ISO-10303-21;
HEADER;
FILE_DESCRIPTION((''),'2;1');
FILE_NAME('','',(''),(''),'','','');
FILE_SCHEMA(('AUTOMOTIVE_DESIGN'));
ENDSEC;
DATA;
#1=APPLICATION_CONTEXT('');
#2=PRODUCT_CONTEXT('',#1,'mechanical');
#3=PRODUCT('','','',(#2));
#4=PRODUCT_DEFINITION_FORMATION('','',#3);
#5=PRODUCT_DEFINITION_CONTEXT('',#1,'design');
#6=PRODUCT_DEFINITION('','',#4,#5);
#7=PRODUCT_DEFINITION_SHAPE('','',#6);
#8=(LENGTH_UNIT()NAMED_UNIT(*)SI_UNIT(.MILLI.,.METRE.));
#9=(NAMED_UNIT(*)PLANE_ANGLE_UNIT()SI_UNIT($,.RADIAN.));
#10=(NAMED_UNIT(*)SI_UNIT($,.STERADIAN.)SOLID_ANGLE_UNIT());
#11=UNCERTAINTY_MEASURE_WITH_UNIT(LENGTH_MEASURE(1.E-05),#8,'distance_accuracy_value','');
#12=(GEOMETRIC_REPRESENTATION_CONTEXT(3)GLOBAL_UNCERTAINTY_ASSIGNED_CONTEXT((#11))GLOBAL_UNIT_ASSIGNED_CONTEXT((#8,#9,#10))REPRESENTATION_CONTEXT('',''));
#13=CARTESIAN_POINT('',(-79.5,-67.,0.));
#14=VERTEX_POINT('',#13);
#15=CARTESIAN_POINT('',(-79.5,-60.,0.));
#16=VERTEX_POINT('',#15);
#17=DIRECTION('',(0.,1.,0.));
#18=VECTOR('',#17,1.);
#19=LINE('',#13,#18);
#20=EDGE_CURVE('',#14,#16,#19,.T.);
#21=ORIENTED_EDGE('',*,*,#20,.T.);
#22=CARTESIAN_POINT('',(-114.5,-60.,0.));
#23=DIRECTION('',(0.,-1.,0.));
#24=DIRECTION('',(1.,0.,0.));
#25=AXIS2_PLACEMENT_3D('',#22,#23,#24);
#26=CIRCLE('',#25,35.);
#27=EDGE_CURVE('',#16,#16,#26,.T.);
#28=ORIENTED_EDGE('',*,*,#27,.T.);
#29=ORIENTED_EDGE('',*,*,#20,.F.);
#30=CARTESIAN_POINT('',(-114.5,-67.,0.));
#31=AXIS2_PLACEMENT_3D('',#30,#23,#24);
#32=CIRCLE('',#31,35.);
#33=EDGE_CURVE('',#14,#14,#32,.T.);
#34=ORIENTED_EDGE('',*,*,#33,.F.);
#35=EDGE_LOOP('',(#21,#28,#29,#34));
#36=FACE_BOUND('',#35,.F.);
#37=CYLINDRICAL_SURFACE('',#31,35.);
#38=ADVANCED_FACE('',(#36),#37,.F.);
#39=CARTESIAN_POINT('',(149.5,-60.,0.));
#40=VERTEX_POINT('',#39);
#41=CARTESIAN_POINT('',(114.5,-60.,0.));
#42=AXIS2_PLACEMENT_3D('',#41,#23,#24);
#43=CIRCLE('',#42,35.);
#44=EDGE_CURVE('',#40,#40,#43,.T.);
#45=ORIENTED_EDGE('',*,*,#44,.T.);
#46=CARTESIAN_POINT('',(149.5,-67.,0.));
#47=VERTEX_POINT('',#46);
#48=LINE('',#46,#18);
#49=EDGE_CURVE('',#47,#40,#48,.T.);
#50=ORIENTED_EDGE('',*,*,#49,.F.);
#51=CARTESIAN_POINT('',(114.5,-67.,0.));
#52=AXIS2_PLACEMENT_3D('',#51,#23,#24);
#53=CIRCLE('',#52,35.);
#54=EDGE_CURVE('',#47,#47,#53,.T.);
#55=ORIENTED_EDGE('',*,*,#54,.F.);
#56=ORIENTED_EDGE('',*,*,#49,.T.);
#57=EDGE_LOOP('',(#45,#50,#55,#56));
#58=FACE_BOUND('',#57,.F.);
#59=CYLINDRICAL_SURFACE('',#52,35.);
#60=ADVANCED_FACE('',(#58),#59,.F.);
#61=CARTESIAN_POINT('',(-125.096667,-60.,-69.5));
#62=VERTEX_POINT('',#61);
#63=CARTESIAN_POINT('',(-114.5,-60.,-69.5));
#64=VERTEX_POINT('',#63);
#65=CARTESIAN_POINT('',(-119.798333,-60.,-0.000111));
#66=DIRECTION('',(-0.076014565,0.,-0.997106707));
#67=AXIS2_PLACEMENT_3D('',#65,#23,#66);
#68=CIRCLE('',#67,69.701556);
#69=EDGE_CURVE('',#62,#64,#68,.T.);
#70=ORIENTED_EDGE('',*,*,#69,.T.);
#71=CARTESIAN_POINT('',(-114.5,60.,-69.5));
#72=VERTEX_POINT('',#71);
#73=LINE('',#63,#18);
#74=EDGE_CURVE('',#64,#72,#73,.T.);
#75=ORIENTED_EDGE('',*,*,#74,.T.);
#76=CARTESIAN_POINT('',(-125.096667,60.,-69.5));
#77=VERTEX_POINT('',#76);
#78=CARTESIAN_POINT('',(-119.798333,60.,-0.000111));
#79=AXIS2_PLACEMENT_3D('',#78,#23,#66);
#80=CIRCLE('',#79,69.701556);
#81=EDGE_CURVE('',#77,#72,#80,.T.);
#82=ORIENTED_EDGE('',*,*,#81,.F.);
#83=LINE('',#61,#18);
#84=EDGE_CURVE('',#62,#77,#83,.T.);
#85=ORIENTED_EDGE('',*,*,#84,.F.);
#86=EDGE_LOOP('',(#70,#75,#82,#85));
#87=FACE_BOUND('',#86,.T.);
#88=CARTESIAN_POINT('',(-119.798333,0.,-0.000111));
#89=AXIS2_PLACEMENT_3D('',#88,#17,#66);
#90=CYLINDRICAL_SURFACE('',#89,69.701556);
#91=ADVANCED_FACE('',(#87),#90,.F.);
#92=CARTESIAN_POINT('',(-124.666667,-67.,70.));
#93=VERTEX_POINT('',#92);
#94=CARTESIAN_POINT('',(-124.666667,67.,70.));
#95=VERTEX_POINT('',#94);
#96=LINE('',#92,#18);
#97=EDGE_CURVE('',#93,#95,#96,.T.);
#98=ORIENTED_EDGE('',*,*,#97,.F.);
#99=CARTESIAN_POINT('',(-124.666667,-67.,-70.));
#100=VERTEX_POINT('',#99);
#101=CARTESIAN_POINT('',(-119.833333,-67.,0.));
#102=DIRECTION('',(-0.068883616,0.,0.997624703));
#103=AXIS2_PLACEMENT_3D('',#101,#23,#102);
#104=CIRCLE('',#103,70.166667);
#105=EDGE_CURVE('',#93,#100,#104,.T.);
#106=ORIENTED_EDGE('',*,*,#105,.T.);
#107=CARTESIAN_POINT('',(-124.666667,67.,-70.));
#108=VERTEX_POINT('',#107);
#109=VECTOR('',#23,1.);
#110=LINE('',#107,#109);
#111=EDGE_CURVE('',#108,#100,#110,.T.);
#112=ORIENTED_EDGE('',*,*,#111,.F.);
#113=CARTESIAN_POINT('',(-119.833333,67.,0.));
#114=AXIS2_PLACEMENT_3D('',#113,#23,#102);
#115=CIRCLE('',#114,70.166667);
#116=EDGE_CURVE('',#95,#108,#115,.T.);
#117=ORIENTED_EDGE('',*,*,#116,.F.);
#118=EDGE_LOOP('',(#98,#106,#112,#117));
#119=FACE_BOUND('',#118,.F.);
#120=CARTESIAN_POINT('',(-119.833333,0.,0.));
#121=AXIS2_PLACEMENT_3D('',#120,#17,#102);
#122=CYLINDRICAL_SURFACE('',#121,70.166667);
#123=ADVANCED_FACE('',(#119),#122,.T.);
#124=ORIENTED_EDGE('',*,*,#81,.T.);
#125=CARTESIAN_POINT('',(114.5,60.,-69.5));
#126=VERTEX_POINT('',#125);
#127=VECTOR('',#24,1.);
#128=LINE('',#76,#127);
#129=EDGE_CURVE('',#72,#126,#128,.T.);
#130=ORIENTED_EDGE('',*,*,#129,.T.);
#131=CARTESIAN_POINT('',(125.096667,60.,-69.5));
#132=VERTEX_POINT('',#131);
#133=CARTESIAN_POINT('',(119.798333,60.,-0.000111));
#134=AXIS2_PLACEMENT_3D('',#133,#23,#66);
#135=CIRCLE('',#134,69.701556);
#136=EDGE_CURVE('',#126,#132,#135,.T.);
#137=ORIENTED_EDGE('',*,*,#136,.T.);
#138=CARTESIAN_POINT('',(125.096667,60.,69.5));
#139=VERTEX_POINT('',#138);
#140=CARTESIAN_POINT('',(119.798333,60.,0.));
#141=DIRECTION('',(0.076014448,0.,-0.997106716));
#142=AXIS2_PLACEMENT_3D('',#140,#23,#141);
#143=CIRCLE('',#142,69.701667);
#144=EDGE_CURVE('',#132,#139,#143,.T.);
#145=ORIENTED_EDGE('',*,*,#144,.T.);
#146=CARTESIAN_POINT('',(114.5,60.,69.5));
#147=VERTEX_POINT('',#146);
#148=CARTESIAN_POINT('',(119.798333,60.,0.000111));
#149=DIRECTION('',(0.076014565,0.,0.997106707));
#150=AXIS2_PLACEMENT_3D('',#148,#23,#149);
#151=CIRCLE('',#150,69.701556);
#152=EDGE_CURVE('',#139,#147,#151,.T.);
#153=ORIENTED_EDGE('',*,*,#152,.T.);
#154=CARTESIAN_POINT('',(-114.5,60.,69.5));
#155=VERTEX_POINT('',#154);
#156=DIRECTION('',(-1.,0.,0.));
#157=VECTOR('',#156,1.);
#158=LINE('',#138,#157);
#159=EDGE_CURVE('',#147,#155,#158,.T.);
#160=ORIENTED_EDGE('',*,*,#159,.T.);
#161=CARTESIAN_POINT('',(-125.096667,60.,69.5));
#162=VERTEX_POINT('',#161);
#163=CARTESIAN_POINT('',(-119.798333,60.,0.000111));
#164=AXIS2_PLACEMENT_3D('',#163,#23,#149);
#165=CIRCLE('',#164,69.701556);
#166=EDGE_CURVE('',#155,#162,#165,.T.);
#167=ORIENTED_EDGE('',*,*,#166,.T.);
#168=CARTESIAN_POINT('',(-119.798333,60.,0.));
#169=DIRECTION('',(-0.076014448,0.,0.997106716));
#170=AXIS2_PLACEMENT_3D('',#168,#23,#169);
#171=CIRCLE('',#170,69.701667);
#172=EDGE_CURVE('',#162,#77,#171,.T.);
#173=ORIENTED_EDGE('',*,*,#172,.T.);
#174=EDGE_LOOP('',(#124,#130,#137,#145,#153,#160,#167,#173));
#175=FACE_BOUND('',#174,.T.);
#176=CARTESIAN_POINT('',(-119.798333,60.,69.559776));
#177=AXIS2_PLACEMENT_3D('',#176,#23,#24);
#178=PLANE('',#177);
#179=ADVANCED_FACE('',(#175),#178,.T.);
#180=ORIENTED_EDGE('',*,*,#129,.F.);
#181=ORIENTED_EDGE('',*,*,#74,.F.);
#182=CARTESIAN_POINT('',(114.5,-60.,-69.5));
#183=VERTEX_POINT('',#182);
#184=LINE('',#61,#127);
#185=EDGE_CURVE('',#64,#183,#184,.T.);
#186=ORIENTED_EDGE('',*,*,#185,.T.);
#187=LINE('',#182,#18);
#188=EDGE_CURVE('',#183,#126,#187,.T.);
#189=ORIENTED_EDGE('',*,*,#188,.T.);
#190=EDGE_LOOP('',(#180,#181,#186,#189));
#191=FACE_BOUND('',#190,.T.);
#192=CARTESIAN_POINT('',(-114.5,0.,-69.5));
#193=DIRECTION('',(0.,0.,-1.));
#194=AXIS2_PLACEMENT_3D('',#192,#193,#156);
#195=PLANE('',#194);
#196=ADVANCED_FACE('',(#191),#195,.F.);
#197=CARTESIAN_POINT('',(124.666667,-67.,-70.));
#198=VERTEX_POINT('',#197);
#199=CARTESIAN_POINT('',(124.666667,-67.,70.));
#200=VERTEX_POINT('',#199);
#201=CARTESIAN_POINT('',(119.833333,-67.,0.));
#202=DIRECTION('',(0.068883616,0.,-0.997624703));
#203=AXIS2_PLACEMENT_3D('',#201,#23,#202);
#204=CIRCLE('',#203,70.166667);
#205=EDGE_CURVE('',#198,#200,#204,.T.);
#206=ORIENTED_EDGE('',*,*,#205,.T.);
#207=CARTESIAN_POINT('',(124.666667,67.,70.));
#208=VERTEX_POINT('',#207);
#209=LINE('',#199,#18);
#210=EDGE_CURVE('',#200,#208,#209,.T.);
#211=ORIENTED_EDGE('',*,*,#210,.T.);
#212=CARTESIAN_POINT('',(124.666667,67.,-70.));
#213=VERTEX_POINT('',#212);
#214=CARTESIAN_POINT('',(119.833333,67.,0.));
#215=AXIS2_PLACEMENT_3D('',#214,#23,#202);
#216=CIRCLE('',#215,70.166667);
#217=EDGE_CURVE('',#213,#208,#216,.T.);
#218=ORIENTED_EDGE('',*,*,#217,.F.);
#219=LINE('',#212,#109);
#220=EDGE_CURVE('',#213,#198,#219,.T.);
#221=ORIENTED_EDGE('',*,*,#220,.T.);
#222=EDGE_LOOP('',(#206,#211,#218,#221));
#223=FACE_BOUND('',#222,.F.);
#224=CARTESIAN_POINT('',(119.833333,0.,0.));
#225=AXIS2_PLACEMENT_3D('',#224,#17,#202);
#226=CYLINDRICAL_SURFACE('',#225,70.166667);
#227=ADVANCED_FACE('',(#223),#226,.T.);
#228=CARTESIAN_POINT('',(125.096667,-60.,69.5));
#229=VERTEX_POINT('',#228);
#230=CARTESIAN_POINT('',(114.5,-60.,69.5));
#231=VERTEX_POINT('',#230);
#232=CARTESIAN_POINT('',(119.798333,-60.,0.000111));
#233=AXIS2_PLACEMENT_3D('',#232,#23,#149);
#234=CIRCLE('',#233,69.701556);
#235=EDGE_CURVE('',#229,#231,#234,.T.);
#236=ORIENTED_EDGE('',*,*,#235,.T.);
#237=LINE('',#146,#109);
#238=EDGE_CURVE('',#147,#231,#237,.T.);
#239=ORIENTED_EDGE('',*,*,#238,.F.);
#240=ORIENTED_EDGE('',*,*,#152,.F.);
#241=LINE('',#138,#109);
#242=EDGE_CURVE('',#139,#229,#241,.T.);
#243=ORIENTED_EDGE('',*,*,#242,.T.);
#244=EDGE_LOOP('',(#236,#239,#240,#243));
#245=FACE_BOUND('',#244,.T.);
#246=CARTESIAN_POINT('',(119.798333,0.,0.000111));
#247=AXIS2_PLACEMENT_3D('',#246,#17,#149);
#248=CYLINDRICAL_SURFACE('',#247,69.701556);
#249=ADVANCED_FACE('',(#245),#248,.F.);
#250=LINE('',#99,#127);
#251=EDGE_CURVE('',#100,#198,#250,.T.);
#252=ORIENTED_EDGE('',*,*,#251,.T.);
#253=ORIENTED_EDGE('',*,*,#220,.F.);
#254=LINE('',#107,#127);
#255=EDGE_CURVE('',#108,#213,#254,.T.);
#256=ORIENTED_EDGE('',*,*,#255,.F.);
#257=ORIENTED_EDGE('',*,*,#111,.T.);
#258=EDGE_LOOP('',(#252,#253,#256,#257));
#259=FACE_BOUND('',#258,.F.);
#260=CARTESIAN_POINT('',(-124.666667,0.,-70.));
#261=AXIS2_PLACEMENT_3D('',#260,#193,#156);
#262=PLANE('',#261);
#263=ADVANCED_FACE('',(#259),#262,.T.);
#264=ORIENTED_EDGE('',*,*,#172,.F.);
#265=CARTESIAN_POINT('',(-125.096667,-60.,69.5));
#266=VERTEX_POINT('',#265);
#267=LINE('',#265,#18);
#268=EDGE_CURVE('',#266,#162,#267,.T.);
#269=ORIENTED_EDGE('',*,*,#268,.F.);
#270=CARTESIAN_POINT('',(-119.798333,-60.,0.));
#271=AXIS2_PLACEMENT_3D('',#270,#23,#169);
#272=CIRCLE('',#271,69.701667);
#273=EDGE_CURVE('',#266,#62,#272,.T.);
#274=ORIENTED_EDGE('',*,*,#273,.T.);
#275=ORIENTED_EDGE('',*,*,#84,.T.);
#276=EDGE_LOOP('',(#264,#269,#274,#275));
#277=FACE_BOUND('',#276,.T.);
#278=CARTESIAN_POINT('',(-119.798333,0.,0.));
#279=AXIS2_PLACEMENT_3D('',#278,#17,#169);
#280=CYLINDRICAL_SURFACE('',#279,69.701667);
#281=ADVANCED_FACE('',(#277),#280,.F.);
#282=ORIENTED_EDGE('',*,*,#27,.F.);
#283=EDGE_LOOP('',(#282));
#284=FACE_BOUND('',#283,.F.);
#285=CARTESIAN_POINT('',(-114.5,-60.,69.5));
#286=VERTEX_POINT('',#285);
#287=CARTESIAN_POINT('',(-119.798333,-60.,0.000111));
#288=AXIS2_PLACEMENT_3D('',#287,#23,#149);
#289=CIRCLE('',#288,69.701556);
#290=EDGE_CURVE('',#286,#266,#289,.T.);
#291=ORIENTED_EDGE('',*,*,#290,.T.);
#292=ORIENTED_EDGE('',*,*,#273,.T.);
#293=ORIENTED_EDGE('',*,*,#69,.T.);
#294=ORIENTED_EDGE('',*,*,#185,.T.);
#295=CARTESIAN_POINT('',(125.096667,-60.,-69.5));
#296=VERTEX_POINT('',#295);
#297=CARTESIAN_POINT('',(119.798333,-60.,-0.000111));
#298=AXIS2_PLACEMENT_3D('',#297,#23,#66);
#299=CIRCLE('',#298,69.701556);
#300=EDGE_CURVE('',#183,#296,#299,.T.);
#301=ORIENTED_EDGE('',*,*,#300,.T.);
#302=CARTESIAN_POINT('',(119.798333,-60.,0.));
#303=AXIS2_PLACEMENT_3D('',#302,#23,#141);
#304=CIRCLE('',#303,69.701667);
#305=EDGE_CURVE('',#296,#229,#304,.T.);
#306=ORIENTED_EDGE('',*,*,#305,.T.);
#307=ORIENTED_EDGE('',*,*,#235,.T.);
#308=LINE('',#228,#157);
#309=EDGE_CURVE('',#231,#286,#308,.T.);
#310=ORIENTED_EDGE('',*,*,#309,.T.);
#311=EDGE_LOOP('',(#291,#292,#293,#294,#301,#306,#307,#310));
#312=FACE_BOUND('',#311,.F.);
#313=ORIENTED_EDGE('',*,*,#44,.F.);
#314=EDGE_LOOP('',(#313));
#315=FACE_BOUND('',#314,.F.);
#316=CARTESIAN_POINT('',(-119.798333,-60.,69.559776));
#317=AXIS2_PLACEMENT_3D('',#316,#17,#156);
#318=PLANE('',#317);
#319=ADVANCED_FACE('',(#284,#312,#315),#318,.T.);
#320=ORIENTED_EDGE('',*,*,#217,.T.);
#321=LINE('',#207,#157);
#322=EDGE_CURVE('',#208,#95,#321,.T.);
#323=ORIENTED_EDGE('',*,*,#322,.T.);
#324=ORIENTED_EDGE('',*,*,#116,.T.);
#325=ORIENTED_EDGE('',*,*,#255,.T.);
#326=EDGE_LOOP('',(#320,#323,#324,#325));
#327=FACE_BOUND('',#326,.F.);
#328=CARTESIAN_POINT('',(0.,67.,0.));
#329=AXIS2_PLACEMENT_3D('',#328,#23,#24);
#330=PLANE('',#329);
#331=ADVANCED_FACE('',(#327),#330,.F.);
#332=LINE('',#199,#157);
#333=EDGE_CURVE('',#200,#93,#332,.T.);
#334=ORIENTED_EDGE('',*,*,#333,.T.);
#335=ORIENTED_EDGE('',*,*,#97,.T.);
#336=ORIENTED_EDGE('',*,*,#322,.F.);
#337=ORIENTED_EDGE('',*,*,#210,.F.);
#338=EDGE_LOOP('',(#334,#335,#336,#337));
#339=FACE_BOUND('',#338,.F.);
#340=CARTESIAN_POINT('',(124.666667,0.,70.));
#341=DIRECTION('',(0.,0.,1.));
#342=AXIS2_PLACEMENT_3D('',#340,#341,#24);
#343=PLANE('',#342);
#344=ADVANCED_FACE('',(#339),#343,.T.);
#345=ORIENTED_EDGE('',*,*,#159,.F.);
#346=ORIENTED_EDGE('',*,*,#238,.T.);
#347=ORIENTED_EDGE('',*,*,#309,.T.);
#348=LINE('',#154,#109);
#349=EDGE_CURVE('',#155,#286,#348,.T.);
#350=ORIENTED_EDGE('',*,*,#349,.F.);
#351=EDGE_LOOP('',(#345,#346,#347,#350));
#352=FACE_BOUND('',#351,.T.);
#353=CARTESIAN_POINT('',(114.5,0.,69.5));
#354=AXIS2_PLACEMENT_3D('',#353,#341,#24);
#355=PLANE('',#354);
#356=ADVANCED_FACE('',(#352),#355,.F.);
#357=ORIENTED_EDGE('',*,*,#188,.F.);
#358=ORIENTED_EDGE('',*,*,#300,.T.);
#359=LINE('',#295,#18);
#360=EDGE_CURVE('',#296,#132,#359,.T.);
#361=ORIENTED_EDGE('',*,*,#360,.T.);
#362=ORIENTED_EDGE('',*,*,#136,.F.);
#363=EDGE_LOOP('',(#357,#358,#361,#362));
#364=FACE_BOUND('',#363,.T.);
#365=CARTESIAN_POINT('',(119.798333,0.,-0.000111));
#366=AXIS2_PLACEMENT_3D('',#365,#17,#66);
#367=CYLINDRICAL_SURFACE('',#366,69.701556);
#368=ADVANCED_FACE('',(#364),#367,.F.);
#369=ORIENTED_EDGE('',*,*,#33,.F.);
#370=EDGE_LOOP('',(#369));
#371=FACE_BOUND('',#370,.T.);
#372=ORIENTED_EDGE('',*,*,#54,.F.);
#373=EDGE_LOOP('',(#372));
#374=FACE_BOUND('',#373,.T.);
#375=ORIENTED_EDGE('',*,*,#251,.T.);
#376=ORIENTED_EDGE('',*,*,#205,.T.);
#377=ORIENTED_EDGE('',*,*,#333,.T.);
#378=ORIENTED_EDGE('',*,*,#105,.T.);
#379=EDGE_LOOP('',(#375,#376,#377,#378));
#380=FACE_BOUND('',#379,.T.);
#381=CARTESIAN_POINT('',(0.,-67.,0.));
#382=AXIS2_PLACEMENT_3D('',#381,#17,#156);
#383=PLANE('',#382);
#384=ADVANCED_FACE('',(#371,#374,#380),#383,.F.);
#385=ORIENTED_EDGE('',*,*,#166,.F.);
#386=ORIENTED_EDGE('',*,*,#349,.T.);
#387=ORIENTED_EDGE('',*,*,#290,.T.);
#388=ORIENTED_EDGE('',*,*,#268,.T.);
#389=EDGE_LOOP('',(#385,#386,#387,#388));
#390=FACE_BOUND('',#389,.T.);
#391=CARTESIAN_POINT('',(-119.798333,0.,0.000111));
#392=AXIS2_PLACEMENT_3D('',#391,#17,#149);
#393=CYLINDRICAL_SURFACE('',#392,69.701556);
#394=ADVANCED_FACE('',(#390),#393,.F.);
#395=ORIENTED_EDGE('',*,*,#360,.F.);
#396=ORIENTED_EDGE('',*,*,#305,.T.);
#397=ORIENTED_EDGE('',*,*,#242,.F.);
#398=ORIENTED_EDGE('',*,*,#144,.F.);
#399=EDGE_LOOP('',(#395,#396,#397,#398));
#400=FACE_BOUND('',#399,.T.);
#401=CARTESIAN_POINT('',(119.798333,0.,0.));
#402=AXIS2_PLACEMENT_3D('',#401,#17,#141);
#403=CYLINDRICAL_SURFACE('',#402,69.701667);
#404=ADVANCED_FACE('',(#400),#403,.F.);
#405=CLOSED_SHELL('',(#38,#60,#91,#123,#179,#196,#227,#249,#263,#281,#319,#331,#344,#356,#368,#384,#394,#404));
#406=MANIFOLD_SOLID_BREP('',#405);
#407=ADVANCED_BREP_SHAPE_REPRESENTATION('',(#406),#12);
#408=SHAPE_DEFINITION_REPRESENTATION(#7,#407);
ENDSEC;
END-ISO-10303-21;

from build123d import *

# Parameters (mm, degrees)
F1_DEPTH = 67
F3_DEPTH = 60
F5_R     = 35
F6_DEPTH = 7


with BuildPart() as f1:
    # F0 (on Front) → F1 (new body)
    with BuildSketch(Plane.XZ):
        with BuildLine():
            Line((-115, 70), (-124.666667, 70))
            ThreePointArc((-124.666667, 70), (-190, 0), (-124.666667, -70))
            Line((-124.666667, -70), (-115, -70))
            Line((-115, -70), (115, -70))
            Line((115, -70), (124.666667, -70))
            ThreePointArc((124.666667, -70), (190, 0), (124.666667, 70))
            Line((124.666667, 70), (115, 70))
            Line((115, 70), (-115, 70))
        make_face()
    extrude(amount=-F1_DEPTH)

    # F2 (on face) → F3 (cut)
    with BuildSketch(Plane.XZ):
        with BuildLine():
            ThreePointArc((-114.5, 69.5), (-119.798333, 69.701667), (-125.096667, 69.5))
            Line((-125.096667, 69.5), (-114.5, 69.5))
        make_face()
        with BuildLine():
            Line((-114.5, 69.5), (-125.096667, 69.5))
            ThreePointArc((-125.096667, 69.5), (-189.5, 0), (-125.096667, -69.5))
            Line((-125.096667, -69.5), (-114.5, -69.5))
            Line((-114.5, -69.5), (114.5, -69.5))
            Line((114.5, -69.5), (125.096667, -69.5))
            ThreePointArc((125.096667, -69.5), (189.5, 0), (125.096667, 69.5))
            Line((125.096667, 69.5), (114.5, 69.5))
            Line((114.5, 69.5), (-114.5, 69.5))
        make_face()
        with BuildLine():
            Line((-114.5, -69.5), (-125.096667, -69.5))
            ThreePointArc((-125.096667, -69.5), (-119.798333, -69.701667), (-114.5, -69.5))
        make_face()
        with BuildLine():
            ThreePointArc((125.096667, 69.5), (119.798333, 69.701667), (114.5, 69.5))
            Line((114.5, 69.5), (125.096667, 69.5))
        make_face()
        with BuildLine():
            Line((125.096667, -69.5), (114.5, -69.5))
            ThreePointArc((114.5, -69.5), (119.798333, -69.701667), (125.096667, -69.5))
        make_face()
    extrude(amount=-F3_DEPTH, mode=Mode.SUBTRACT)

    # F4: F1 across face


with BuildPart() as f1_1:
    add(f1.part)
    add(f1.part.mirror(Plane.XZ))

    # F5 (on face) → F6 (cut, through all)
    with BuildSketch(Plane.XZ.offset(67)):
        with Locations((-114.5, 0)):
            Circle(F5_R)
        with Locations((114.5, 0)):
            Circle(F5_R)
    extrude(amount=-F6_DEPTH, mode=Mode.SUBTRACT)


solid = f1_1.part
